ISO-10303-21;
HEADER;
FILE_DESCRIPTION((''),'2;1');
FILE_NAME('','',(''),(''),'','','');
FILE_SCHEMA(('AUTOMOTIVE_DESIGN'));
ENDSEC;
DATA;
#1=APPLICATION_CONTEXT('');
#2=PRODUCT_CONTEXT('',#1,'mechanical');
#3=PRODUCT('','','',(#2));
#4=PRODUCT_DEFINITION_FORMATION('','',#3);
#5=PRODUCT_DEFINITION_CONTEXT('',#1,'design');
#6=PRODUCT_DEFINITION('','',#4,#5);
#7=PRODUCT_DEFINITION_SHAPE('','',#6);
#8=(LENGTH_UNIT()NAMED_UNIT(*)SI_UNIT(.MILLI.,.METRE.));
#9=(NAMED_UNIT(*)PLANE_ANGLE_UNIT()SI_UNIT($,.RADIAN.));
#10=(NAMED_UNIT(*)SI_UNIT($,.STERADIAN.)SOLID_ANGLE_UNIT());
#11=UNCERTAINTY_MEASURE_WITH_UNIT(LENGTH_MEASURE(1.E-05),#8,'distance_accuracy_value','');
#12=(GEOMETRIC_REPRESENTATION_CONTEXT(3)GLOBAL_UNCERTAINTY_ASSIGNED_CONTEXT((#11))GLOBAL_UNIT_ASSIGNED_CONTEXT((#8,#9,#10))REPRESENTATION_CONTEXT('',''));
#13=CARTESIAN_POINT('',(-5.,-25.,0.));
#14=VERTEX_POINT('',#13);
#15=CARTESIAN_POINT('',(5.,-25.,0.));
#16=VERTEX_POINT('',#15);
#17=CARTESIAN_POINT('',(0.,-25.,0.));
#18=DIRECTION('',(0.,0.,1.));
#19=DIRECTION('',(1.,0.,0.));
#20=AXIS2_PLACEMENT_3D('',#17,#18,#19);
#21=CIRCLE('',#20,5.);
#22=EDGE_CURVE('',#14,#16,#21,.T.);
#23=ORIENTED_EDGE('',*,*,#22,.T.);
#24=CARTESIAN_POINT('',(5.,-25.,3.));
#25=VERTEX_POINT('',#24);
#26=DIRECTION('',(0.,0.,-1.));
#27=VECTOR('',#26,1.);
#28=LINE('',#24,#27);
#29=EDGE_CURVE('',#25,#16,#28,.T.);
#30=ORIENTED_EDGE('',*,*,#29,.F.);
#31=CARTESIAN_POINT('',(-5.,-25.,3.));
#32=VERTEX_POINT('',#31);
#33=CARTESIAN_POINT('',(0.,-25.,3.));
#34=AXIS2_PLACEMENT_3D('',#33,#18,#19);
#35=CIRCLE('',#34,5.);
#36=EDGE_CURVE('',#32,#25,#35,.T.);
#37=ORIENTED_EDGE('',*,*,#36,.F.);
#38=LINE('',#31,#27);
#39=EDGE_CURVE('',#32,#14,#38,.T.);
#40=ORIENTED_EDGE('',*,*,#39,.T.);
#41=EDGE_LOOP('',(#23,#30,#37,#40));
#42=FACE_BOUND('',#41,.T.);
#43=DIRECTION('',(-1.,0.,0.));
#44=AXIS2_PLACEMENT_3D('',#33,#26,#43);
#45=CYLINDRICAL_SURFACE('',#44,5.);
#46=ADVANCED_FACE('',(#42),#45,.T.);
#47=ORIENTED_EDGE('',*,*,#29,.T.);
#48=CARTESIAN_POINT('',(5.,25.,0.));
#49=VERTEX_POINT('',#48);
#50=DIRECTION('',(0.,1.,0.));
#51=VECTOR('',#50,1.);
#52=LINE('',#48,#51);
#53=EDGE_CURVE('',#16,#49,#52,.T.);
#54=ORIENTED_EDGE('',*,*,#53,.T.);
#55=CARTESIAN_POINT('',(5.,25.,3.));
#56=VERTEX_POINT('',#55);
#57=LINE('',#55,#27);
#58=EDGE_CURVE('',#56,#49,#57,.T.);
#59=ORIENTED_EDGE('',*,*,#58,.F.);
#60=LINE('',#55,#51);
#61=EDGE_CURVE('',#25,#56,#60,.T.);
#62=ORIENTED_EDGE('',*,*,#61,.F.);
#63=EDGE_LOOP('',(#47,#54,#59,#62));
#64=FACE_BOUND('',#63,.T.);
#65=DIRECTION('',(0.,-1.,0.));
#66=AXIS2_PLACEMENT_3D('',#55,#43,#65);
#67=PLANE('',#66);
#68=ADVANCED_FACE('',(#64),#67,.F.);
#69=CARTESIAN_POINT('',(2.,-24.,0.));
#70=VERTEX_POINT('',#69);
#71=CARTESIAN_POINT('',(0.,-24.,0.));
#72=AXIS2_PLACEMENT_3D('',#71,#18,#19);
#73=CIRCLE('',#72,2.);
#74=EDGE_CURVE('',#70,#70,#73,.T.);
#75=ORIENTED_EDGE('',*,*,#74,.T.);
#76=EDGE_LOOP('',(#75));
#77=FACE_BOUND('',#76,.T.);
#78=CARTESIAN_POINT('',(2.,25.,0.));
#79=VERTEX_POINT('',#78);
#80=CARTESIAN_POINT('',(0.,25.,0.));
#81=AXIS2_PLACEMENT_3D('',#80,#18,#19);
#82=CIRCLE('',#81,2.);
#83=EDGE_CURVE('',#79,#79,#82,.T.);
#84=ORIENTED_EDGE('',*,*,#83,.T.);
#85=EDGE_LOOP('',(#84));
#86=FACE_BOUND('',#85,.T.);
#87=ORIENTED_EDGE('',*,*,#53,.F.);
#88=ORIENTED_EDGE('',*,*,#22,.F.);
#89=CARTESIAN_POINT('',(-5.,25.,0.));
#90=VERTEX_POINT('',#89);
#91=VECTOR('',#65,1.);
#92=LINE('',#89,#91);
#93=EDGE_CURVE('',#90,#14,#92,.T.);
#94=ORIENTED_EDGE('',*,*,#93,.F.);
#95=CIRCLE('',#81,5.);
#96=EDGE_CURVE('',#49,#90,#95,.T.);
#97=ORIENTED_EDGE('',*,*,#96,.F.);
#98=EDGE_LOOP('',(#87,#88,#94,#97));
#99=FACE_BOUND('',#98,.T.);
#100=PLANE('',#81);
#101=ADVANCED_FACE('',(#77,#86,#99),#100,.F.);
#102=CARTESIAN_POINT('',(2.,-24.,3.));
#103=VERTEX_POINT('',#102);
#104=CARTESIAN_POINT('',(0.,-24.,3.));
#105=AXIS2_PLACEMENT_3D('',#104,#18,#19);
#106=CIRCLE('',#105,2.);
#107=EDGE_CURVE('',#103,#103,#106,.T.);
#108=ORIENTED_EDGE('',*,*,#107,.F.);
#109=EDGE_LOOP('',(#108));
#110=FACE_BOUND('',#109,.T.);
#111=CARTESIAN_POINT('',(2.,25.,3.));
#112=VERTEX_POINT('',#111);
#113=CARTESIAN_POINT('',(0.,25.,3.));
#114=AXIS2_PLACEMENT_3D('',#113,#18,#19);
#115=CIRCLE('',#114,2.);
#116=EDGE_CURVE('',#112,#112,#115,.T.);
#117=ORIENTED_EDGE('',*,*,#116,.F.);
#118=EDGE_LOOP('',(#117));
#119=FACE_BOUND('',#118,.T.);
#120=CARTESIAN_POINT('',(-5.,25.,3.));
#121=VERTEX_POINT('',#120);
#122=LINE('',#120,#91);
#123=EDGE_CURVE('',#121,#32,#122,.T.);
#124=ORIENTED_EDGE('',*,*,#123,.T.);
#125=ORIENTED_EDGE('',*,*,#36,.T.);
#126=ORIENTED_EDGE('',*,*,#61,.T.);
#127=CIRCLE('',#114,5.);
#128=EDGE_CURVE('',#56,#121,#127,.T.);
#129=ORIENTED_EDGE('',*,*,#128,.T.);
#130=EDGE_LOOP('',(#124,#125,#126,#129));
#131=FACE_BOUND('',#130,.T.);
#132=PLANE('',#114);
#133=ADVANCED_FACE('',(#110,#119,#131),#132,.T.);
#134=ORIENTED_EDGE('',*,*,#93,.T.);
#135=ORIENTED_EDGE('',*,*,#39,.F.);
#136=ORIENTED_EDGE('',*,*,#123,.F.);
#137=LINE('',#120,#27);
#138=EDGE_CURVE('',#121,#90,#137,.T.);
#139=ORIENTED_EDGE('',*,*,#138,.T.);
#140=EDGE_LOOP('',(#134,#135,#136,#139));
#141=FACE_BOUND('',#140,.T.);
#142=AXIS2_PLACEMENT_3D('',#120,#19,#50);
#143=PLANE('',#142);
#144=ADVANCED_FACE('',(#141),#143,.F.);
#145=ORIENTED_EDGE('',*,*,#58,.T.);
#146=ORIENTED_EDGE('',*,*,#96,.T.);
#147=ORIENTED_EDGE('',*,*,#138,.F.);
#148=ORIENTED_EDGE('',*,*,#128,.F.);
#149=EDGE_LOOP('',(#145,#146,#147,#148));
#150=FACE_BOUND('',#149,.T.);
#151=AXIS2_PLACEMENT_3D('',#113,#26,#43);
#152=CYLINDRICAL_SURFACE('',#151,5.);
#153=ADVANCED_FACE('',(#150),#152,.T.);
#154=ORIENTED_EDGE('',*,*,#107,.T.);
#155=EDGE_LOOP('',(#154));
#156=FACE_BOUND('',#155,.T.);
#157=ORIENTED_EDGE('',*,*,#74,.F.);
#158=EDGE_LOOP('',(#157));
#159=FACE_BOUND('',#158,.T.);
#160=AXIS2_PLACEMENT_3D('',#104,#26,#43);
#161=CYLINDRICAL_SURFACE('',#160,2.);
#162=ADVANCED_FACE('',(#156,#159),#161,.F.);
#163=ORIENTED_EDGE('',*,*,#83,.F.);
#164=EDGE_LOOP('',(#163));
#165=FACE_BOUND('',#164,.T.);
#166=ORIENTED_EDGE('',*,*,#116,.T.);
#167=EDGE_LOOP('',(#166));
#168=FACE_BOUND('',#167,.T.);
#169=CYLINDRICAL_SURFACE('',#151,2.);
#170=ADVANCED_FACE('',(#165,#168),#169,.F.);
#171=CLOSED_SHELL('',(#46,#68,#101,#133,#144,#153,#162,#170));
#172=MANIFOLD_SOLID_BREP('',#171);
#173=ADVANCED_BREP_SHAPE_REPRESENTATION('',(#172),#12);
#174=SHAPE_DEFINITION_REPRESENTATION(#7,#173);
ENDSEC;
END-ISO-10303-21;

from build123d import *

# Parameters (mm, degrees)
SKETCH1_R           = 2
BOSS_EXTRUDE1_DEPTH = 3


with BuildPart() as part:
    # Sketch1 → Boss-Extrude1 (new body)
    with BuildSketch(Plane.XY):
        with BuildLine():
            Line((5, 25), (5, -25))
            ThreePointArc((5, -25), (0, -30), (-5, -25))
            Line((-5, -25), (-5, 25))
            ThreePointArc((-5, 25), (0, 30), (5, 25))
        make_face()
        with Locations((0, 25)):
            Circle(SKETCH1_R, mode=Mode.SUBTRACT)
        with Locations((0, -24)):
            Circle(SKETCH1_R, mode=Mode.SUBTRACT)
    extrude(amount=BOSS_EXTRUDE1_DEPTH)


solid = part.part
